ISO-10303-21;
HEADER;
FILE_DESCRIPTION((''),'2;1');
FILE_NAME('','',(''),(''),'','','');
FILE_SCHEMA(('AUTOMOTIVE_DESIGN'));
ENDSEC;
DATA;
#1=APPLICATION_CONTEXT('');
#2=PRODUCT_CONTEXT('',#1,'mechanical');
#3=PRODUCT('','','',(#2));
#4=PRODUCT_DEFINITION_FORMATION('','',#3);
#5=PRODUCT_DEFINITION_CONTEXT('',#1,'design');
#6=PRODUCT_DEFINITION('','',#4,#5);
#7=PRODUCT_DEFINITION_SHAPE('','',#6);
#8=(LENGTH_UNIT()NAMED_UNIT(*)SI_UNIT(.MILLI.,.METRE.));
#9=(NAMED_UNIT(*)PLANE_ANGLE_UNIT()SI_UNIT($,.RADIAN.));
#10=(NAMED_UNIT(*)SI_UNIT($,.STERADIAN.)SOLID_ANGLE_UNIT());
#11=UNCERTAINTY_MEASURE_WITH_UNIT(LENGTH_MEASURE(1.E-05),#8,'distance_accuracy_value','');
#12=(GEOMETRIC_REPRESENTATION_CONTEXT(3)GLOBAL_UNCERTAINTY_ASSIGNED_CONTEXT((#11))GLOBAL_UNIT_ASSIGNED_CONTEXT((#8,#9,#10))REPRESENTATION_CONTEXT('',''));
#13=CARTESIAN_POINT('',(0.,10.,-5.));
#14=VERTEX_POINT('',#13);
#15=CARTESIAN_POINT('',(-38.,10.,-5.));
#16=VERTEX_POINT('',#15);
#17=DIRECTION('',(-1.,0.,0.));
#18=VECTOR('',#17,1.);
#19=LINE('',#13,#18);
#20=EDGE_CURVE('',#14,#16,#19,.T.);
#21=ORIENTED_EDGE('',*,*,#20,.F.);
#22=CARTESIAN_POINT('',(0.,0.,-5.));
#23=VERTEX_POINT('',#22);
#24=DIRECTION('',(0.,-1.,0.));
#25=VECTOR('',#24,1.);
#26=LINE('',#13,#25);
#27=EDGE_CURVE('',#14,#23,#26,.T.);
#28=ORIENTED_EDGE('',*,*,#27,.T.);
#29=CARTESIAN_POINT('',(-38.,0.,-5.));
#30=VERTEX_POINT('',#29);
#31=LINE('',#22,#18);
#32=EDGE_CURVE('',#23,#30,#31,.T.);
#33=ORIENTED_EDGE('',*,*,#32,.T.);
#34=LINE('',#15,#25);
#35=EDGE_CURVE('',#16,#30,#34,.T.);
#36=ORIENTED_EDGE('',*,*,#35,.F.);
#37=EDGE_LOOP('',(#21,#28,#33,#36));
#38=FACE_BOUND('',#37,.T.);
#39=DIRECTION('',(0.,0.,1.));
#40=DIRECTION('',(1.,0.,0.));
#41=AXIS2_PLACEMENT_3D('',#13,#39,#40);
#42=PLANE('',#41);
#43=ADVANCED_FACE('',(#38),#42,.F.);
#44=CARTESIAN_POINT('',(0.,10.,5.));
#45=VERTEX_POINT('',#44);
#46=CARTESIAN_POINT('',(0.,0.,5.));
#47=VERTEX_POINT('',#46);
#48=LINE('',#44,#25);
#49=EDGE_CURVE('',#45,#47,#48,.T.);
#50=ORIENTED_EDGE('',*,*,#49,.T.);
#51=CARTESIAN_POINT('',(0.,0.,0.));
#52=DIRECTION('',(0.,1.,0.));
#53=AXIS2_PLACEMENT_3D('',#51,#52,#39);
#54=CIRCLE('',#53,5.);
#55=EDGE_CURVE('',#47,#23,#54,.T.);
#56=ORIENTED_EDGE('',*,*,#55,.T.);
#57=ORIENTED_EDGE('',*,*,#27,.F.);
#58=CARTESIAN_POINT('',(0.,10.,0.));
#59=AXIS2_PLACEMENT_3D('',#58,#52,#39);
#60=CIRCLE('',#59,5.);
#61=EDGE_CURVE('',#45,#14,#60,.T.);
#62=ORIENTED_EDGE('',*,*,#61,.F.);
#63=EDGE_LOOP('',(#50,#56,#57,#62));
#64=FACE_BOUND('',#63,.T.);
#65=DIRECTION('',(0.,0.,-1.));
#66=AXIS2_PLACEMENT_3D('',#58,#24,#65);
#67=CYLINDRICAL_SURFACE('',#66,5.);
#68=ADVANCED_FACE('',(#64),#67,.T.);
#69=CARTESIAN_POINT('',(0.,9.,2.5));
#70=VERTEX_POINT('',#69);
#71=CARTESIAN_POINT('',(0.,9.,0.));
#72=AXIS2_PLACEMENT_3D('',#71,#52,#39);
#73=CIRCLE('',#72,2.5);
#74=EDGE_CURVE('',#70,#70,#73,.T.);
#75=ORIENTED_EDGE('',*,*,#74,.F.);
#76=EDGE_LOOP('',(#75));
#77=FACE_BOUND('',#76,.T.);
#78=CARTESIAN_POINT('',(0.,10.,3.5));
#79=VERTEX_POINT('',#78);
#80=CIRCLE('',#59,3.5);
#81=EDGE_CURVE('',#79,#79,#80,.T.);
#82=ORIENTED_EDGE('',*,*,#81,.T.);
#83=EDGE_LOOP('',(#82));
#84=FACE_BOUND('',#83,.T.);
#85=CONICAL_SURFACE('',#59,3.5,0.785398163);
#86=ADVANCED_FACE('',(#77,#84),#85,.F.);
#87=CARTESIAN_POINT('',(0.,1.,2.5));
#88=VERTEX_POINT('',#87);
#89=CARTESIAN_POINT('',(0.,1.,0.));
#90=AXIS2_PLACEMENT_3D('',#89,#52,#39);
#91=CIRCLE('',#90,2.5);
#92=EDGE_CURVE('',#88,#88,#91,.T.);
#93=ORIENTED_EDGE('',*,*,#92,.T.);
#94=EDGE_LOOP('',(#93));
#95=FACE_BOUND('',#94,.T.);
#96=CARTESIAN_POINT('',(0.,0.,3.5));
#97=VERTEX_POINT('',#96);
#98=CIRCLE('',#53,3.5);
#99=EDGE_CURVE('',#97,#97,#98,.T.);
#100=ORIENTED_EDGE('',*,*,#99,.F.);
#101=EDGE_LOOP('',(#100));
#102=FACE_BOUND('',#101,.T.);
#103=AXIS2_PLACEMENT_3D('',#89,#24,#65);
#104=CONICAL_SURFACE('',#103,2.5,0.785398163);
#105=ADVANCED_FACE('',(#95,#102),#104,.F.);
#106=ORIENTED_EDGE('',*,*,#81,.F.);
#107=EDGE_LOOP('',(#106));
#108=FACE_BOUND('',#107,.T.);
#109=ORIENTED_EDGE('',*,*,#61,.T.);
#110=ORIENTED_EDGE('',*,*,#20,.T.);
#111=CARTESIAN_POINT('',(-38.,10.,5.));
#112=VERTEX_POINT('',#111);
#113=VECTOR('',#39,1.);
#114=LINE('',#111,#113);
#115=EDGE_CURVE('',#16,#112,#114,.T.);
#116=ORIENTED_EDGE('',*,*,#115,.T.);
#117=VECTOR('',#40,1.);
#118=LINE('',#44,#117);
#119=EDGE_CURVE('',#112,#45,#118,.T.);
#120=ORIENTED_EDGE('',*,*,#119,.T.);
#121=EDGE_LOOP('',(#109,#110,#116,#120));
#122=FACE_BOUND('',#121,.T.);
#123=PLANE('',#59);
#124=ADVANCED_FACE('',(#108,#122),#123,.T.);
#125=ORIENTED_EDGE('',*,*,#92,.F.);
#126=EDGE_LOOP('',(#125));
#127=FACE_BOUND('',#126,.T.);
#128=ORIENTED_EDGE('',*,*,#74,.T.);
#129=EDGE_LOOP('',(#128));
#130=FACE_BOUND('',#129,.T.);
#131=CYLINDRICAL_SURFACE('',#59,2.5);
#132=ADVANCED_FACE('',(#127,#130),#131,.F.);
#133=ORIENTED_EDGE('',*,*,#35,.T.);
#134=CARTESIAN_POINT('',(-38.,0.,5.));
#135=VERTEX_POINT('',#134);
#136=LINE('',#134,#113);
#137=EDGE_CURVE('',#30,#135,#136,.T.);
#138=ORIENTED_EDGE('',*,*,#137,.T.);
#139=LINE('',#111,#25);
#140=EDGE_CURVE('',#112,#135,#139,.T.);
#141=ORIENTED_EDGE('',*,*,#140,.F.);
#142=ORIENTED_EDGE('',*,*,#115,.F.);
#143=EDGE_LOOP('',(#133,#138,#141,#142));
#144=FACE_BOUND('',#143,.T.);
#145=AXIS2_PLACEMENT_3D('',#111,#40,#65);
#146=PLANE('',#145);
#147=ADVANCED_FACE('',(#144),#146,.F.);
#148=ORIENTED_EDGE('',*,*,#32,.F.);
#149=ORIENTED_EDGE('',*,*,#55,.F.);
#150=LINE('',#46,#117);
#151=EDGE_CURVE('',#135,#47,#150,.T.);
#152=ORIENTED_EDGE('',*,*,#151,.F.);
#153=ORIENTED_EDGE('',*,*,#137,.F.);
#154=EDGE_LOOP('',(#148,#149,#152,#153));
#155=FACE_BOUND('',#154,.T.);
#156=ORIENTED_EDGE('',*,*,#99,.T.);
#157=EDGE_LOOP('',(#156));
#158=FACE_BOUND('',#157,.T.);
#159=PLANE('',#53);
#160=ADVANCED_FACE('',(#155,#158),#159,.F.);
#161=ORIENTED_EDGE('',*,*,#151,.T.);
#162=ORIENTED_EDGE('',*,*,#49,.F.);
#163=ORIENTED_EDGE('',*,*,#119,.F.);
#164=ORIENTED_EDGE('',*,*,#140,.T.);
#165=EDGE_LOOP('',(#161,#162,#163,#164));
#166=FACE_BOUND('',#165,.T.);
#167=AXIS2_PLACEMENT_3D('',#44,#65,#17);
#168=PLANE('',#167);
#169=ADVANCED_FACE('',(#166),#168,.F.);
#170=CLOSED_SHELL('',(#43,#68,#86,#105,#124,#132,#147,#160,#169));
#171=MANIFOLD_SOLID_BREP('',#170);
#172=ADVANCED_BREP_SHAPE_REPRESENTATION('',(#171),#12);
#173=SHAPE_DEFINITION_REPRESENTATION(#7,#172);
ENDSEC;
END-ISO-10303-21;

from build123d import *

# Parameters (mm, degrees)
BOSS_EXTRU_1_DEPTH = 10


with BuildPart() as part:
    # Esquisse1 → Boss.-Extru.1 (new body)
    with BuildSketch(Plane(origin=(0, 0, 0), x_dir=(1, 0, 0), z_dir=(0, 1, 0))):
        with BuildLine():
            Line((0, 5), (-38, 5))
            Line((-38, 5), (-38, -5))
            Line((-38, -5), (0, -5))
            ThreePointArc((0, -5), (5, 0), (0, 5))
        make_face()
    extrude(amount=BOSS_EXTRU_1_DEPTH)

    # Esquisse3 → Trou taraudé M61 (revolve, cut)
    with BuildSketch(Plane(origin=(0, 10, 0), x_dir=(0, 0, 1), z_dir=(1, 0, 0))):
        Polygon((0, 0), (0, 10), (3.5, 10), (2.5, 9), (2.5, 1), (3.5, 0), align=None)
    revolve(axis=Axis((0, 16.35, 0), (0, -1, 0)), mode=Mode.SUBTRACT)


solid = part.part
